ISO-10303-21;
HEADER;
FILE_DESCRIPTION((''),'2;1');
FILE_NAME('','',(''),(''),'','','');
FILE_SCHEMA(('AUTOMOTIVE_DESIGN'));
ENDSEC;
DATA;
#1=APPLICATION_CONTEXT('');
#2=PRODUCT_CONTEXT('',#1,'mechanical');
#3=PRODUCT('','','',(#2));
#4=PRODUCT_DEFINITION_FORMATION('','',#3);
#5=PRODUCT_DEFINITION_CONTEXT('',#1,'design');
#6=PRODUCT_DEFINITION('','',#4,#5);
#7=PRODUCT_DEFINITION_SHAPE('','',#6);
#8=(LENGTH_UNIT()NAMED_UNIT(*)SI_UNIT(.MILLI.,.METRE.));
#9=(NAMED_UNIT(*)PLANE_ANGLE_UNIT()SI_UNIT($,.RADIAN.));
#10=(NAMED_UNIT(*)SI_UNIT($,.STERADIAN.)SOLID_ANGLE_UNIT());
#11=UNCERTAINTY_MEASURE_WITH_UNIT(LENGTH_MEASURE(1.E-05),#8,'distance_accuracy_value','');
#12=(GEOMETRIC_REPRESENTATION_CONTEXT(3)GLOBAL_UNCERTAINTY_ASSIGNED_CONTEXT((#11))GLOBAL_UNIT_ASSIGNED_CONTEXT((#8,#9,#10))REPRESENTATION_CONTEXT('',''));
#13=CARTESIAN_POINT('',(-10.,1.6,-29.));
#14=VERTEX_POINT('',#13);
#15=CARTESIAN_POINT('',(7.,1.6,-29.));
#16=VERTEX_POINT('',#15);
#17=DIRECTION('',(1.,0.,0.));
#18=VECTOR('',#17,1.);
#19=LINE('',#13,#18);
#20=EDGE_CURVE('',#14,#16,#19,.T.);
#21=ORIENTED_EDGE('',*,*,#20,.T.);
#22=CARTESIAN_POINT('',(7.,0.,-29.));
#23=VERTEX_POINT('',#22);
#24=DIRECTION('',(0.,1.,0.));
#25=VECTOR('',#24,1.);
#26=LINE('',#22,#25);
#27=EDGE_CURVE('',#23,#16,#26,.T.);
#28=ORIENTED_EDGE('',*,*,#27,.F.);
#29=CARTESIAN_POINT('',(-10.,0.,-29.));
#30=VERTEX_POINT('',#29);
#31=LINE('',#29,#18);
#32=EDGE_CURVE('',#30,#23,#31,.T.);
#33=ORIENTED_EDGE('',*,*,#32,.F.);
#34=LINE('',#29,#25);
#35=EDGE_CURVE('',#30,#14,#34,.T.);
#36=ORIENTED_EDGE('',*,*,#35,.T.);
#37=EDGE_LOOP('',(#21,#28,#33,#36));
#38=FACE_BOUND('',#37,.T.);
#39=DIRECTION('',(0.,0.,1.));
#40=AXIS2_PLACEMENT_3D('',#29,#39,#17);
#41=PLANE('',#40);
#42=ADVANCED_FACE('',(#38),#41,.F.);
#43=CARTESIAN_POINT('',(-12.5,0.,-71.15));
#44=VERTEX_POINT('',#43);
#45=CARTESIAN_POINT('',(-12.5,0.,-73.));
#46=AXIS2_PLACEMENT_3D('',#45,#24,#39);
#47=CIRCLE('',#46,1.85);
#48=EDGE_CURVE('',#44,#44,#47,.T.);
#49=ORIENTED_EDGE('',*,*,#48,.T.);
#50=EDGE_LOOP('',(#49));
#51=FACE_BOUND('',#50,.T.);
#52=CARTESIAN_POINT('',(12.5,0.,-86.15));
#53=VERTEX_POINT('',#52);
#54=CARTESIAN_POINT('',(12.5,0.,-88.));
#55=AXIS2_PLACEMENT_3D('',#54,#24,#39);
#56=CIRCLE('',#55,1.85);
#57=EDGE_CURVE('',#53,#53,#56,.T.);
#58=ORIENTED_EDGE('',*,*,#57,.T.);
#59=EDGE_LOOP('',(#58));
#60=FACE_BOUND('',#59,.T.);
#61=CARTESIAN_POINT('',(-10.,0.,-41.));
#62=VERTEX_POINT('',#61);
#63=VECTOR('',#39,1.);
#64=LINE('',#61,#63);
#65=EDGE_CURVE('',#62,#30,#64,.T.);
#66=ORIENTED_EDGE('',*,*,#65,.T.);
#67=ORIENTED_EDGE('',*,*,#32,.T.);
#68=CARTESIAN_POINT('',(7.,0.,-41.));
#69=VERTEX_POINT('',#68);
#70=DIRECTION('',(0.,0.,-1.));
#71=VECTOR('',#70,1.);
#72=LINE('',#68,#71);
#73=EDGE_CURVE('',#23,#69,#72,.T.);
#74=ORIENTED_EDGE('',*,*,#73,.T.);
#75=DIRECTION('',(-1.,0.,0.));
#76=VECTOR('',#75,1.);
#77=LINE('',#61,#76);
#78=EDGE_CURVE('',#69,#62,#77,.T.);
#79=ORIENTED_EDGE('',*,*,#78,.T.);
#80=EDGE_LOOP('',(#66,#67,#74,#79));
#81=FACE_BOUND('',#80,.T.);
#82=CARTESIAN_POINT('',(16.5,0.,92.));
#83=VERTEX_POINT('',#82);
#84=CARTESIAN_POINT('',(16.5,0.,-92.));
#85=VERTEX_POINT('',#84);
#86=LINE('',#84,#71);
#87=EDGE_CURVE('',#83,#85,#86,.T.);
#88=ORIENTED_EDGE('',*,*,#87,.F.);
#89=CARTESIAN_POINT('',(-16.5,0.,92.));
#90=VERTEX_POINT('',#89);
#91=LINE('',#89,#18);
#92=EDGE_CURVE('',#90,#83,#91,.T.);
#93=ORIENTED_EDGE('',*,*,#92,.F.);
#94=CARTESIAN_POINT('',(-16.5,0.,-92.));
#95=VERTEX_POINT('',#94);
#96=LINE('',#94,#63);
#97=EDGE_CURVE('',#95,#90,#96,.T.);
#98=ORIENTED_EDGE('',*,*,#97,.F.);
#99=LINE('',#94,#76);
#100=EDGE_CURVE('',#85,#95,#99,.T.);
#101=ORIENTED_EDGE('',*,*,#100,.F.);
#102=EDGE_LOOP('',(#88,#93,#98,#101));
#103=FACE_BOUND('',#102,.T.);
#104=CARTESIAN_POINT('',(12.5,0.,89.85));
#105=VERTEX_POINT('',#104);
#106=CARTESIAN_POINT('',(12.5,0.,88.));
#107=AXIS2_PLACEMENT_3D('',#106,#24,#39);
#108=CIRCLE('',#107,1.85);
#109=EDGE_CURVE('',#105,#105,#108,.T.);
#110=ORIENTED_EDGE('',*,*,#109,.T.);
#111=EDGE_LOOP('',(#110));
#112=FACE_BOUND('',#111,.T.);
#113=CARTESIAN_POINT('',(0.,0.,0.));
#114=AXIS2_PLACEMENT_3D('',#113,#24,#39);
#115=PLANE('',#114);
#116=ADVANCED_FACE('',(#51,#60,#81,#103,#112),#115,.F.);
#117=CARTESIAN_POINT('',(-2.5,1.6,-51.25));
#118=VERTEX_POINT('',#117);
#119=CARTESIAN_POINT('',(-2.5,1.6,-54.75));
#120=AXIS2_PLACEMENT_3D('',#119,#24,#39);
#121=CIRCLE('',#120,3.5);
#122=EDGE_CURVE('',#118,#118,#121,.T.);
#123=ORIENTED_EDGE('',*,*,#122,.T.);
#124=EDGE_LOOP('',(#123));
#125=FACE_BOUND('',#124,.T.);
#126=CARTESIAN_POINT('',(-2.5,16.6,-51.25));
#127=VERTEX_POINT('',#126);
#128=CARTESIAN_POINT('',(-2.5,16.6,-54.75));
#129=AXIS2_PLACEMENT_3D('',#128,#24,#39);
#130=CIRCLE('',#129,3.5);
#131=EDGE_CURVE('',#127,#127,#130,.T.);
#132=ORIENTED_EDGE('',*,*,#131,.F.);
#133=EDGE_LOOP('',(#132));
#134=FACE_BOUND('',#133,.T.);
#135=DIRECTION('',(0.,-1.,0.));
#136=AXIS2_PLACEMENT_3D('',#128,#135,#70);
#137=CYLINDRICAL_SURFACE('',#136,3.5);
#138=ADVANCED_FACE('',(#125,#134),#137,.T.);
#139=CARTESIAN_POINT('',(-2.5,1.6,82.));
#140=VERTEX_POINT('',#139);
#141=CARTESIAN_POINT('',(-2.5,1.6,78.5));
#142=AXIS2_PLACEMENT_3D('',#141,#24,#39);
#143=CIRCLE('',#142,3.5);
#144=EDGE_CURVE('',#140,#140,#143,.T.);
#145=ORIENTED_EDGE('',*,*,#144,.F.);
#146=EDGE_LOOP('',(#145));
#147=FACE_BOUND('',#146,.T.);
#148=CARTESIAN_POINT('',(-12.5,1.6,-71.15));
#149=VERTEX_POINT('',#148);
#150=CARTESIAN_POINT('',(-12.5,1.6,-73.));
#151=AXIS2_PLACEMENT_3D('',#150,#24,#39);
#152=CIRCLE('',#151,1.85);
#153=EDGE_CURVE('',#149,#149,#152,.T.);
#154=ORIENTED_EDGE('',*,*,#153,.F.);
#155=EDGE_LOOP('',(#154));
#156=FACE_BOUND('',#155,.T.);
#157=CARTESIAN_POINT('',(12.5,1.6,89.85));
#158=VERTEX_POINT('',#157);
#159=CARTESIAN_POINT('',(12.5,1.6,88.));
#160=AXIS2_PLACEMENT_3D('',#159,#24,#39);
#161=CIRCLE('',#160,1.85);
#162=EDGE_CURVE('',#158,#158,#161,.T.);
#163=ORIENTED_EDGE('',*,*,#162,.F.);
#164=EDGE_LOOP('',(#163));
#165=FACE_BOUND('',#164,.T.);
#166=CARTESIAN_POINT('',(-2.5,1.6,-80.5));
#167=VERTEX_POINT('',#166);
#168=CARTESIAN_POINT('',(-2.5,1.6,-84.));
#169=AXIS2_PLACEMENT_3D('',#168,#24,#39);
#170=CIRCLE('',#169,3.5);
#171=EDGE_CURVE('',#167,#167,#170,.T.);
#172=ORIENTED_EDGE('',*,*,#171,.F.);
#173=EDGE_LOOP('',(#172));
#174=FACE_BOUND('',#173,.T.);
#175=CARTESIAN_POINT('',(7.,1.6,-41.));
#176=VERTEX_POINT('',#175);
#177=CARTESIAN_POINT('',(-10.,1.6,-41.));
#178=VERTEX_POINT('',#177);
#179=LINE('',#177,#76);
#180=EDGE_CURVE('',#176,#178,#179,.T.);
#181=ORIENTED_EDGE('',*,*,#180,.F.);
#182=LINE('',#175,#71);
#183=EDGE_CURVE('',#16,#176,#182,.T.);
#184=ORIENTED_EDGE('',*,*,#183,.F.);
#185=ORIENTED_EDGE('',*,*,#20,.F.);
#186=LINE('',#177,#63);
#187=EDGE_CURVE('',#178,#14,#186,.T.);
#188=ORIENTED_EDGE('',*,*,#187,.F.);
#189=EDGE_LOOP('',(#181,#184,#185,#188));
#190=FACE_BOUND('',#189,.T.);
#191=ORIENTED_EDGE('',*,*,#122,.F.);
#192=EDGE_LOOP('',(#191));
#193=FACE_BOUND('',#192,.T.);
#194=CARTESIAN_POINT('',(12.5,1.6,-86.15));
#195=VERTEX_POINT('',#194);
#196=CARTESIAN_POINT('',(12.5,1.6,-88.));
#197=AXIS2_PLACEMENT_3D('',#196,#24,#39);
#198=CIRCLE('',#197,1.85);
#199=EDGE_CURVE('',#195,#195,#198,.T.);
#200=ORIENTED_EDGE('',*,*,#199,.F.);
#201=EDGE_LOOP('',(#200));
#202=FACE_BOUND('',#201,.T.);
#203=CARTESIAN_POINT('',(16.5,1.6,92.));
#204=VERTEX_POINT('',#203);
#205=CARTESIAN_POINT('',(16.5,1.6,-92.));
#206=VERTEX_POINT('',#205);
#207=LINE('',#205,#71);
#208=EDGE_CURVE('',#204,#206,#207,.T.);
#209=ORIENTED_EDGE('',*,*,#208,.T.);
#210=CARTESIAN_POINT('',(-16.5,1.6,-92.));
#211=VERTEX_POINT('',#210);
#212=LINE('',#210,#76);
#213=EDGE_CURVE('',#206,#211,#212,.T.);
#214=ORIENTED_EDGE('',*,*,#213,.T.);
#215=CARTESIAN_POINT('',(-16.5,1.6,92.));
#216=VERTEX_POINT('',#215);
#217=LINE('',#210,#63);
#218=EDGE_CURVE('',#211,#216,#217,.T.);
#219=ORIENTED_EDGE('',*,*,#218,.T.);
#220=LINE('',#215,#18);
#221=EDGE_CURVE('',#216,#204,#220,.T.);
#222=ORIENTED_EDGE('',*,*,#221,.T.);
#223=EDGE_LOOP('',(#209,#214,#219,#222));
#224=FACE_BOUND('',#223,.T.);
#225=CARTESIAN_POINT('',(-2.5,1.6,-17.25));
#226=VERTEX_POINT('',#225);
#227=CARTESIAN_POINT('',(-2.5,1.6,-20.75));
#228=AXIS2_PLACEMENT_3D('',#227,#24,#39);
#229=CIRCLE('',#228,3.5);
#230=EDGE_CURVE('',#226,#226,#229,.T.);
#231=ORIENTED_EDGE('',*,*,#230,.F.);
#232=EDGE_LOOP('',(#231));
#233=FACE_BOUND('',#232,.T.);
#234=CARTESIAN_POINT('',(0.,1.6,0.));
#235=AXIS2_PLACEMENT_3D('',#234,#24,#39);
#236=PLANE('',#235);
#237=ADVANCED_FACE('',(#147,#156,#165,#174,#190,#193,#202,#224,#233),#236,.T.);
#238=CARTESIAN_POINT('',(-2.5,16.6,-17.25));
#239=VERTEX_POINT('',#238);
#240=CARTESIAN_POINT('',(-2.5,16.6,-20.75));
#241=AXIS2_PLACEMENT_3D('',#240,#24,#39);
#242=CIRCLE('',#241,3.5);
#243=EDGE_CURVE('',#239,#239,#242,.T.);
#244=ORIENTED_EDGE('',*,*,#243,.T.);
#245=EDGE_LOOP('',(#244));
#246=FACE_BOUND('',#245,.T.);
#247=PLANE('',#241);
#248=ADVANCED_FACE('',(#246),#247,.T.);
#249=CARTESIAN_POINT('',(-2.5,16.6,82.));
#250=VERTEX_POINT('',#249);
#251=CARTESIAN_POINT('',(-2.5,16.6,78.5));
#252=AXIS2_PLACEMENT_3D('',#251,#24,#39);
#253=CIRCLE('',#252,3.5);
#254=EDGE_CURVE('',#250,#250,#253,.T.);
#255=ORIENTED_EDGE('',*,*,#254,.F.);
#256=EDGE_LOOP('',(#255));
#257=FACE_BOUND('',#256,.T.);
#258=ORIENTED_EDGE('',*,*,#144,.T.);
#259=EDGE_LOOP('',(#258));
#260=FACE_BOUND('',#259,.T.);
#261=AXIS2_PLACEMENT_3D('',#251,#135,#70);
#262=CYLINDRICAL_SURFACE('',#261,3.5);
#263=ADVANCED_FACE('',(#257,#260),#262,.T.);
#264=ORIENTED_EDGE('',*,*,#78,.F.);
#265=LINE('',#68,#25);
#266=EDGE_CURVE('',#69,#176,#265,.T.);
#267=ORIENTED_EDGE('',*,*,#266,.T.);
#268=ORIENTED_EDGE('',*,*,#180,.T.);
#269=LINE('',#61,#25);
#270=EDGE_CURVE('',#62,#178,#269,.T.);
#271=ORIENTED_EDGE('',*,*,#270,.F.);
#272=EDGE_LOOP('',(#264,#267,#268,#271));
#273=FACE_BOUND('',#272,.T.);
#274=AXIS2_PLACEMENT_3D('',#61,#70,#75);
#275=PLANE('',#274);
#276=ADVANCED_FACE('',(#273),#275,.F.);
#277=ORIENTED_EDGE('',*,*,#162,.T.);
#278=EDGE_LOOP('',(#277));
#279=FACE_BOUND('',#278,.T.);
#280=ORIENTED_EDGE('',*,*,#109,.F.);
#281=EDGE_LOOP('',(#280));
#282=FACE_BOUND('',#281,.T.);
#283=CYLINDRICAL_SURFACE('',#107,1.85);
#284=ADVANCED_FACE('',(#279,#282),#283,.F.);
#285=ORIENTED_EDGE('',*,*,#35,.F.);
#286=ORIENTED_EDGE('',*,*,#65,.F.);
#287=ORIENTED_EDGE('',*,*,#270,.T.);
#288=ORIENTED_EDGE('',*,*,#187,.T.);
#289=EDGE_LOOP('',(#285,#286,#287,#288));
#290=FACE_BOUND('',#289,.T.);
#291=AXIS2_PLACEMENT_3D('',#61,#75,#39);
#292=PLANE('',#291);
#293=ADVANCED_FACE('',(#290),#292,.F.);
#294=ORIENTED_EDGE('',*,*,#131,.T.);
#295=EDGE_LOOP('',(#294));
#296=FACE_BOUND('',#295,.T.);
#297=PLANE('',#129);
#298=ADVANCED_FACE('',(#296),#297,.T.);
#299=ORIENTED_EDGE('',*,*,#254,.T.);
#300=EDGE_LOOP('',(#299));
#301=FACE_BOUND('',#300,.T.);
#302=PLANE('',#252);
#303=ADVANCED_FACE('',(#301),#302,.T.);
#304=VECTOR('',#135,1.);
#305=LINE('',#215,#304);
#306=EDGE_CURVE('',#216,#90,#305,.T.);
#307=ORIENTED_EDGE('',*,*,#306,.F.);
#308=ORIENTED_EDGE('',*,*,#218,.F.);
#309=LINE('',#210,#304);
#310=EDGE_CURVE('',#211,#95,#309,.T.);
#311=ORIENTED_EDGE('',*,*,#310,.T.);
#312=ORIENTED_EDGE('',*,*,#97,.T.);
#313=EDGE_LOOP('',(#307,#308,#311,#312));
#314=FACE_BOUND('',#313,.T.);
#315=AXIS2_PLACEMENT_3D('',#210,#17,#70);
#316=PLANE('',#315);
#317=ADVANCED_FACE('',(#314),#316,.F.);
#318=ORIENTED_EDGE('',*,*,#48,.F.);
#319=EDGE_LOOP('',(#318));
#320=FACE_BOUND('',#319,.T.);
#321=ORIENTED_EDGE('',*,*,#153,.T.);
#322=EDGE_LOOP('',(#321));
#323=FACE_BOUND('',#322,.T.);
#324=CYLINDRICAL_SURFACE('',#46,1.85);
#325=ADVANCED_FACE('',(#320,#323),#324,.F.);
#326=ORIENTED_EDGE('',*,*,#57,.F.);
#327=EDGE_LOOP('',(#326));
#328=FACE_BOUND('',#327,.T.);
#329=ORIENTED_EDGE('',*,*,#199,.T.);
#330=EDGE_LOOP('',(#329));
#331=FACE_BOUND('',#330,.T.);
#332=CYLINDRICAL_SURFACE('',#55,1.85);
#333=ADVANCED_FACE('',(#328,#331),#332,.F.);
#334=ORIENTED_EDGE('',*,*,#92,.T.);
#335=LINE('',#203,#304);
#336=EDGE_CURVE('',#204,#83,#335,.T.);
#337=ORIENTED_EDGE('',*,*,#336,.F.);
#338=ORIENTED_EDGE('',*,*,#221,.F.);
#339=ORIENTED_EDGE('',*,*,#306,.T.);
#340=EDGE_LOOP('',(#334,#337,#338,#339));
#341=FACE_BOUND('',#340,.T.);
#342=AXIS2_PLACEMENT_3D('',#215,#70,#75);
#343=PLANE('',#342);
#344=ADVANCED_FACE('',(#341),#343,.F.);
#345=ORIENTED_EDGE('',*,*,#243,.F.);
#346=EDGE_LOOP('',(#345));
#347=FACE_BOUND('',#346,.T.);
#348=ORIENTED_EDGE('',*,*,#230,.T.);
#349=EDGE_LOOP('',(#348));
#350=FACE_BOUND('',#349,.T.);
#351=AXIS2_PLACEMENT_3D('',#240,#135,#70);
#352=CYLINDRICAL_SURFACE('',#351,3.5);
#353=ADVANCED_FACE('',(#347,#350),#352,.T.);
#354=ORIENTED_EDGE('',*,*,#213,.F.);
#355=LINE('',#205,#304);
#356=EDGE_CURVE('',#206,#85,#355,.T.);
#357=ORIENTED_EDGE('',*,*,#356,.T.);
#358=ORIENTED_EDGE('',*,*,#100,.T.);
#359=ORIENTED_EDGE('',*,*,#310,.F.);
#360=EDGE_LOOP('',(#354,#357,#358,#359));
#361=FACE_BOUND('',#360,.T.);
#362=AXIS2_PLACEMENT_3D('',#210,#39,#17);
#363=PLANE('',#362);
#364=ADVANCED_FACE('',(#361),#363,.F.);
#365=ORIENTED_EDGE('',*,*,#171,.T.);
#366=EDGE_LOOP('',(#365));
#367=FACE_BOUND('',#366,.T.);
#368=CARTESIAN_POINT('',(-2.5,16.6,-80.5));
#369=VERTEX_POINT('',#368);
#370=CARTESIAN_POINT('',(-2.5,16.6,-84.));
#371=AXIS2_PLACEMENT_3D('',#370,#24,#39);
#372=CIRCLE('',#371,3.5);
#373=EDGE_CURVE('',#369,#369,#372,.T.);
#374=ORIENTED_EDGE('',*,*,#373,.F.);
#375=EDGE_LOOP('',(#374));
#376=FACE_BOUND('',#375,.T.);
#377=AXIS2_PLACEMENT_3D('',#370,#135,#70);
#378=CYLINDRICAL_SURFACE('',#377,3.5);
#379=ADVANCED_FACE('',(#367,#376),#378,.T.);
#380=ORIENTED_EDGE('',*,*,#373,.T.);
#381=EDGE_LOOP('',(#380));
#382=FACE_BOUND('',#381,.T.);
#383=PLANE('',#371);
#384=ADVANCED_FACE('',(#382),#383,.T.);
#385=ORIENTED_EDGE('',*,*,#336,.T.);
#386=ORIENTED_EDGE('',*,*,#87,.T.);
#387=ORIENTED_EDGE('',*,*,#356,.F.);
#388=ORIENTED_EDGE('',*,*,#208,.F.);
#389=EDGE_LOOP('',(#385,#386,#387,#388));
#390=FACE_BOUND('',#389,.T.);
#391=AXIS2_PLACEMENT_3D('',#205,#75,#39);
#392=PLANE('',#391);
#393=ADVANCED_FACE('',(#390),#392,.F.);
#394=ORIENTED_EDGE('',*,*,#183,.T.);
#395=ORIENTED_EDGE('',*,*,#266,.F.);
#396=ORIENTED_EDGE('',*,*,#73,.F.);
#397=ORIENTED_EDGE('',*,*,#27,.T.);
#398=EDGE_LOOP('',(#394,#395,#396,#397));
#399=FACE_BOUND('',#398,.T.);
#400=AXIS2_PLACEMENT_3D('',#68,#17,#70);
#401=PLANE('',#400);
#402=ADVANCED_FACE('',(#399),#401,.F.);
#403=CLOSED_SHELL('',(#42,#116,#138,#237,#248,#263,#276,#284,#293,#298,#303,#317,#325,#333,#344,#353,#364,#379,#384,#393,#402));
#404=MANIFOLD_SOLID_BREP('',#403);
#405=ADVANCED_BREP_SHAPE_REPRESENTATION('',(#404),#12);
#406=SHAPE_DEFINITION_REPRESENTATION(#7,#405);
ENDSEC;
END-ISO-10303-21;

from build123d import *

# Parameters (mm, degrees)
SKETCH1_W           = 33
SKETCH1_H           = 184
BOSS_EXTRUDE1_DEPTH = 1.6
SKETCH2_R           = 1.85
CUT_EXTRUDE1_DEPTH  = 94.481602468
SKETCH3_R           = 3.5
BOSS_EXTRUDE2_DEPTH = 15
SKETCH4_W           = 17
SKETCH4_H           = 12
CUT_EXTRUDE2_DEPTH  = 95.663879067


with BuildPart() as part:
    # Sketch1 → Boss-Extrude1 (new body)
    with BuildSketch(Plane(origin=(0, 0, 0), x_dir=(1, 0, 0), z_dir=(0, 1, 0))):
        Rectangle(SKETCH1_W, SKETCH1_H)
    extrude(amount=BOSS_EXTRUDE1_DEPTH)

    # Sketch2 → Cut-Extrude1 (cut, through all)
    with BuildSketch(Plane(origin=(0, 1.6, 0), x_dir=(1, 0, 0), z_dir=(0, 1, 0))):
        with Locations(Location((-12.5, 73, 0), (0, 0, 270))):
            Circle(SKETCH2_R)
        with Locations(Location((12.5, 88, 0), (0, 0, 270))):
            Circle(SKETCH2_R)
        with Locations(Location((12.5, -88, 0), (0, 0, 270))):
            Circle(SKETCH2_R)
    extrude(amount=-CUT_EXTRUDE1_DEPTH, mode=Mode.SUBTRACT)

    # Sketch3 → Boss-Extrude2 (add)
    with BuildSketch(Plane(origin=(0, 1.6, 0), x_dir=(1, 0, 0), z_dir=(0, 1, 0))):
        with Locations(Location((-2.5, 84, 0), (0, 0, 270))):
            Circle(SKETCH3_R)
        with Locations(Location((-2.5, 54.75, 0), (0, 0, 270))):
            Circle(SKETCH3_R)
        with Locations(Location((-2.5, 20.75, 0), (0, 0, 270))):
            Circle(SKETCH3_R)
        with Locations(Location((-2.5, -78.5, 0), (0, 0, 270))):
            Circle(SKETCH3_R)
    extrude(amount=BOSS_EXTRUDE2_DEPTH)

    # Sketch4 → Cut-Extrude2 (cut, through all)
    with BuildSketch(Plane(origin=(0, 1.6, 0), x_dir=(1, 0, 0), z_dir=(0, 1, 0))):
        with Locations((-1.5, 35)):
            Rectangle(SKETCH4_W, SKETCH4_H)
    extrude(amount=-CUT_EXTRUDE2_DEPTH, mode=Mode.SUBTRACT)


solid = part.part
